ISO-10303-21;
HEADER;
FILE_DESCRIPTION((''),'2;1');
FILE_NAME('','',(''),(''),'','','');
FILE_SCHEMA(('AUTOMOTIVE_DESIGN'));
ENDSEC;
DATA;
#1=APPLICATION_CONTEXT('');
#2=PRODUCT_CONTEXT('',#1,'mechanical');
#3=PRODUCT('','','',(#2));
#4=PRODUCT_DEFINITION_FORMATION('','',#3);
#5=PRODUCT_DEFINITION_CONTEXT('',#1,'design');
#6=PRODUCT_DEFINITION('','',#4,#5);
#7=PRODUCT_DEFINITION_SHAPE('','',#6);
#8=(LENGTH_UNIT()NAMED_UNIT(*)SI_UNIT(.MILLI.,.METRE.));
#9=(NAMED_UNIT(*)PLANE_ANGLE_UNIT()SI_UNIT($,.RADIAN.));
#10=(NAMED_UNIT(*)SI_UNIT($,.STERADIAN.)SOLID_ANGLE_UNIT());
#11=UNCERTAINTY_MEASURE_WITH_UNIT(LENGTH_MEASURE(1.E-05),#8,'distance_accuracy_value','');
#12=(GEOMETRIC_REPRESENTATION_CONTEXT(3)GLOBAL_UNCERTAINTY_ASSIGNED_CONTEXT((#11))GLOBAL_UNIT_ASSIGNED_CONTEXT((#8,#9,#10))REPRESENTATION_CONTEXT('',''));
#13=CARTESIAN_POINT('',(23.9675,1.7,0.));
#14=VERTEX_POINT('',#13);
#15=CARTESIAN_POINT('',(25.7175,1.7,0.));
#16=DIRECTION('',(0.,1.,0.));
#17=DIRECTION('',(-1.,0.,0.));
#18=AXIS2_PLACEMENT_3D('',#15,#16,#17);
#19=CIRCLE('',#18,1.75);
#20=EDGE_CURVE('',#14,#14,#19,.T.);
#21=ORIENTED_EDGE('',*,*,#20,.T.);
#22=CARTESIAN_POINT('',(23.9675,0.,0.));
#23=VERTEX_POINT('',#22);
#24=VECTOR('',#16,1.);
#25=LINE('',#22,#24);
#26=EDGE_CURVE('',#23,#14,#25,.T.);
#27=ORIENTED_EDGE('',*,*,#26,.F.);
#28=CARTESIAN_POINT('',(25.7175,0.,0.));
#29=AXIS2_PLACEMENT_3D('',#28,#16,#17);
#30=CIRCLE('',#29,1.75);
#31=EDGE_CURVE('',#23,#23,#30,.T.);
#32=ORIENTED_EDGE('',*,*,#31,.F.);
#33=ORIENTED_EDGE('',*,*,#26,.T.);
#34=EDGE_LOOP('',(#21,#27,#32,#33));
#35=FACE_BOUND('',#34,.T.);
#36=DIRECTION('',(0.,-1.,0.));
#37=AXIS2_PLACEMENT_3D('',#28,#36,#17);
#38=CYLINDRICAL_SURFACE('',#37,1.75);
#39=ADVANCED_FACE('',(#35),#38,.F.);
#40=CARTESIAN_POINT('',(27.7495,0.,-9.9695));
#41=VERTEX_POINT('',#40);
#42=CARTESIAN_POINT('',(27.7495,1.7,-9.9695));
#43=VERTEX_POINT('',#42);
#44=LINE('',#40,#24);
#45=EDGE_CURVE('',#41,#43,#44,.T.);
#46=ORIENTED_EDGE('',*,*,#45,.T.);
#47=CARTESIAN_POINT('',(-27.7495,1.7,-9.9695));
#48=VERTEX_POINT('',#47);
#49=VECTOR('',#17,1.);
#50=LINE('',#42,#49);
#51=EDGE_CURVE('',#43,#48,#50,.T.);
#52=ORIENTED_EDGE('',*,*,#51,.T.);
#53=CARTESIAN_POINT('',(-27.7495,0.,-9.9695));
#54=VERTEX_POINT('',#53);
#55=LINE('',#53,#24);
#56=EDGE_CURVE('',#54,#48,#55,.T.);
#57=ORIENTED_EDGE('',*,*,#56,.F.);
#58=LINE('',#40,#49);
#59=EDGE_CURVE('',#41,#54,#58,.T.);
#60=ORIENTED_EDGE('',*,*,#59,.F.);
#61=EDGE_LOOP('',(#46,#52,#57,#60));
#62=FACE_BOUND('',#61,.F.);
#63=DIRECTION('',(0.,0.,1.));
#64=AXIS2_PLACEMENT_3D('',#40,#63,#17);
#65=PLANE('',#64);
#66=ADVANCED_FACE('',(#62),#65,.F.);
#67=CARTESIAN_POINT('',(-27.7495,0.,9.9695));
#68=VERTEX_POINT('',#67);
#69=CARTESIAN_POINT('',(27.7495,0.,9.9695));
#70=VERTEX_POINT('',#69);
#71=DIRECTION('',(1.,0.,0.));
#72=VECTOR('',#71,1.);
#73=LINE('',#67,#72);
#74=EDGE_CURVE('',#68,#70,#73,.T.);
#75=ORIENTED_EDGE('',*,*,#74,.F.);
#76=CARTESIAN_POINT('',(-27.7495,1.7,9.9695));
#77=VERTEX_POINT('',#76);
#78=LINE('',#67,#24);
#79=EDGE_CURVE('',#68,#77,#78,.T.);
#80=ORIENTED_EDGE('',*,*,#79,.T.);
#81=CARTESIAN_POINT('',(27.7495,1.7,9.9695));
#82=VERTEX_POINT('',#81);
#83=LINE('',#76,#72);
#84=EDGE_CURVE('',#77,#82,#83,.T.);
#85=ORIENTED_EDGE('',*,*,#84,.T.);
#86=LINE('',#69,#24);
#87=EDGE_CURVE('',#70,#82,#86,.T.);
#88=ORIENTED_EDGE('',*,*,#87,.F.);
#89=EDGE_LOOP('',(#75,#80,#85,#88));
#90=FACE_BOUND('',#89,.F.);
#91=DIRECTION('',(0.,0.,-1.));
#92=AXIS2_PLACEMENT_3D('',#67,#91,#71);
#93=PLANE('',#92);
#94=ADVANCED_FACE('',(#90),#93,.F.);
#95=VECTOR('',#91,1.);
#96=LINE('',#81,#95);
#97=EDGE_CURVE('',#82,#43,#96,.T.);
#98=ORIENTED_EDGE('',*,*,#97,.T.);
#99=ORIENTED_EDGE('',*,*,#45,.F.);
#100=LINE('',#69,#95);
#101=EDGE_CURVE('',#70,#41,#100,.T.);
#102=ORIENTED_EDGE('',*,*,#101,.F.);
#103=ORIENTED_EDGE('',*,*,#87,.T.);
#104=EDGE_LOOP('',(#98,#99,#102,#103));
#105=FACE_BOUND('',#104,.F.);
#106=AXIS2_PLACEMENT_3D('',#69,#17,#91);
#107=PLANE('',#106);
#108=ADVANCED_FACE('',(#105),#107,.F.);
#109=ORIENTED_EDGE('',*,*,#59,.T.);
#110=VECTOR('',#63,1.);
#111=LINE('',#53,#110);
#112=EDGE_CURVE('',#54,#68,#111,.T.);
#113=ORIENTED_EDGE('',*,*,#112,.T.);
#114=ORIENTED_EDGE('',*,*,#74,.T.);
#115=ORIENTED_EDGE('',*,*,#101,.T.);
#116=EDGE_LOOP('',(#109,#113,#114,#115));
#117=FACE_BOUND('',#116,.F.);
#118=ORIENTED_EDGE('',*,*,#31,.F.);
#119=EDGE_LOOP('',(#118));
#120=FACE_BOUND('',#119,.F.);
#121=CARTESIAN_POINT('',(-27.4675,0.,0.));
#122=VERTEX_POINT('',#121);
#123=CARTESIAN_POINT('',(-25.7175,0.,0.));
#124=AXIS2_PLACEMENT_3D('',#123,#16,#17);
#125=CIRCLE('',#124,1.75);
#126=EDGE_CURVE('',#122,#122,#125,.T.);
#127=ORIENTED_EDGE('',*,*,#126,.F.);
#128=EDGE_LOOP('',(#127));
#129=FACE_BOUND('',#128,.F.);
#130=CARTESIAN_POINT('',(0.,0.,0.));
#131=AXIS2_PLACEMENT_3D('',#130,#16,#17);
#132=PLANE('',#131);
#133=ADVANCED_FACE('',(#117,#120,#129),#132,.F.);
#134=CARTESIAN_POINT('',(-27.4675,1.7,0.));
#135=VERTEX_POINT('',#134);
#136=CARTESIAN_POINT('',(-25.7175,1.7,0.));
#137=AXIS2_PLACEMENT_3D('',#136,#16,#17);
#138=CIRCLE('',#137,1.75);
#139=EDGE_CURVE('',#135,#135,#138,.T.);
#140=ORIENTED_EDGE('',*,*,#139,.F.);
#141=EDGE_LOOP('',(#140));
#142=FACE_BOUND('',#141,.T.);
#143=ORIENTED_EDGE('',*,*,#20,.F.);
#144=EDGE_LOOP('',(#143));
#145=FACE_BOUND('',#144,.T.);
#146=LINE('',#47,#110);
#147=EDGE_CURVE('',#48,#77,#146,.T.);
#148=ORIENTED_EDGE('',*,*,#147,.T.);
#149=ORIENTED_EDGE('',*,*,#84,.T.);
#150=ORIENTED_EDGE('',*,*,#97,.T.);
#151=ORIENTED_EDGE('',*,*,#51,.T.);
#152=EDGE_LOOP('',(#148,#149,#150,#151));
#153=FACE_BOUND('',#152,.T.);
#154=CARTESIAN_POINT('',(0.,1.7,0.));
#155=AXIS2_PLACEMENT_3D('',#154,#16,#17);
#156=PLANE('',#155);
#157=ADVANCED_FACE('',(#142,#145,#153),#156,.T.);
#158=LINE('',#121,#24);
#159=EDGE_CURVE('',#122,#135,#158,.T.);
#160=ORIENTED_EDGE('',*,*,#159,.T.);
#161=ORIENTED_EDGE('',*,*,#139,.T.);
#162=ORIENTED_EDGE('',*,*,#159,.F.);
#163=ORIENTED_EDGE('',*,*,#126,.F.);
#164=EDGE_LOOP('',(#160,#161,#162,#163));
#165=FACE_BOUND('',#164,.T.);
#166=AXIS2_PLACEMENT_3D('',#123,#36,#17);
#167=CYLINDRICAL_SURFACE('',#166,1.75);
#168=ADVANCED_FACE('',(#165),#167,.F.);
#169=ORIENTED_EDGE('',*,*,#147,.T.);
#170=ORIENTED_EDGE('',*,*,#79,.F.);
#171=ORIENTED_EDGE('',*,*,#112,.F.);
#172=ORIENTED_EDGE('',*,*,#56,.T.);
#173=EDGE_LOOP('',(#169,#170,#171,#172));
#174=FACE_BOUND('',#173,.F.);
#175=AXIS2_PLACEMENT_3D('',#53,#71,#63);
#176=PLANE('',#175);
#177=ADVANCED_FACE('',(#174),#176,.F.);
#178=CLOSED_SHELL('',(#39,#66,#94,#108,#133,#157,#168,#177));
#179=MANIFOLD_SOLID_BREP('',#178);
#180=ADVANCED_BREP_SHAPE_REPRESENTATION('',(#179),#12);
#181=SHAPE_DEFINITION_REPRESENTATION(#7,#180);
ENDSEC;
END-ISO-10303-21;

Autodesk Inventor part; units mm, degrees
ref_plane "YZ Plane" through (0, 0, 0) normal (1, 0, 0) x (0, 1, 0)
ref_plane "XZ Plane" through (0, 0, 0) normal (0, 1, 0) x (-1, 0, 0)
ref_plane "XY Plane" through (0, 0, 0) normal (0, 0, 1) x (1, 0, 0)
sketch "Sketch1" plane through (0, 0, 0) normal (0, 1, 0) x (-1, 0, 0)
  line L0 (27.7495, 9.9695) -> (-27.7495, 9.9695)
  line L1 (-27.7495, 9.9695) -> (-27.7495, -9.9695)
  line L2 (-27.7495, -9.9695) -> (27.7495, -9.9695)
  line L3 (27.7495, -9.9695) -> (27.7495, 9.9695)
  line L4 (27.7495, 9.9695) -> (-27.7495, -9.9695) construction
  line L5 (-27.7495, 9.9695) -> (27.7495, -9.9695) construction
  circle A0 centre (25.7175, 0) radius 1.75
  circle A1 centre (-25.7175, 0) radius 1.75
  point P0 (0, 0)
  dimension "d0" = 55.499
  dimension "d1" = 19.939
  dimension "d2" = 3.5
  dimension "d3" = 3.5
  dimension "d4" = 2.032
  dimension "d5" = 2.032
extrude "Extrusion1" add sketch "Sketch1" along normal blind 1.7
sketch "Sketch2" plane through (0, 1.7, 0) normal (0, 1, 0) x (1, 0, 0)
  circle A0 centre (25.7175, 0) radius 1.75 projected
  circle A1 centre (-25.7175, 0) radius 1.75 projected
  line L0 (-27.7495, -9.9695) -> (27.7495, -9.9695) projected
  line L1 (27.7495, -9.9695) -> (27.7495, 9.9695) projected
  line L2 (27.7495, 9.9695) -> (-27.7495, 9.9695) projected
  line L3 (-27.7495, 9.9695) -> (-27.7495, -9.9695) projected
  line L4 (16.1881, -1.9444) -> (-16.645, -1.9444) construction
  line L5 (-16.645, -1.9444) -> (-16.645, 1.7031) construction
  line L6 (-16.645, 1.7031) -> (16.1881, 1.7031) construction
  line L7 (16.1881, 1.7031) -> (16.1881, -1.9444) construction
  point P0 (0, 0)
properties part number "Start Stop"
